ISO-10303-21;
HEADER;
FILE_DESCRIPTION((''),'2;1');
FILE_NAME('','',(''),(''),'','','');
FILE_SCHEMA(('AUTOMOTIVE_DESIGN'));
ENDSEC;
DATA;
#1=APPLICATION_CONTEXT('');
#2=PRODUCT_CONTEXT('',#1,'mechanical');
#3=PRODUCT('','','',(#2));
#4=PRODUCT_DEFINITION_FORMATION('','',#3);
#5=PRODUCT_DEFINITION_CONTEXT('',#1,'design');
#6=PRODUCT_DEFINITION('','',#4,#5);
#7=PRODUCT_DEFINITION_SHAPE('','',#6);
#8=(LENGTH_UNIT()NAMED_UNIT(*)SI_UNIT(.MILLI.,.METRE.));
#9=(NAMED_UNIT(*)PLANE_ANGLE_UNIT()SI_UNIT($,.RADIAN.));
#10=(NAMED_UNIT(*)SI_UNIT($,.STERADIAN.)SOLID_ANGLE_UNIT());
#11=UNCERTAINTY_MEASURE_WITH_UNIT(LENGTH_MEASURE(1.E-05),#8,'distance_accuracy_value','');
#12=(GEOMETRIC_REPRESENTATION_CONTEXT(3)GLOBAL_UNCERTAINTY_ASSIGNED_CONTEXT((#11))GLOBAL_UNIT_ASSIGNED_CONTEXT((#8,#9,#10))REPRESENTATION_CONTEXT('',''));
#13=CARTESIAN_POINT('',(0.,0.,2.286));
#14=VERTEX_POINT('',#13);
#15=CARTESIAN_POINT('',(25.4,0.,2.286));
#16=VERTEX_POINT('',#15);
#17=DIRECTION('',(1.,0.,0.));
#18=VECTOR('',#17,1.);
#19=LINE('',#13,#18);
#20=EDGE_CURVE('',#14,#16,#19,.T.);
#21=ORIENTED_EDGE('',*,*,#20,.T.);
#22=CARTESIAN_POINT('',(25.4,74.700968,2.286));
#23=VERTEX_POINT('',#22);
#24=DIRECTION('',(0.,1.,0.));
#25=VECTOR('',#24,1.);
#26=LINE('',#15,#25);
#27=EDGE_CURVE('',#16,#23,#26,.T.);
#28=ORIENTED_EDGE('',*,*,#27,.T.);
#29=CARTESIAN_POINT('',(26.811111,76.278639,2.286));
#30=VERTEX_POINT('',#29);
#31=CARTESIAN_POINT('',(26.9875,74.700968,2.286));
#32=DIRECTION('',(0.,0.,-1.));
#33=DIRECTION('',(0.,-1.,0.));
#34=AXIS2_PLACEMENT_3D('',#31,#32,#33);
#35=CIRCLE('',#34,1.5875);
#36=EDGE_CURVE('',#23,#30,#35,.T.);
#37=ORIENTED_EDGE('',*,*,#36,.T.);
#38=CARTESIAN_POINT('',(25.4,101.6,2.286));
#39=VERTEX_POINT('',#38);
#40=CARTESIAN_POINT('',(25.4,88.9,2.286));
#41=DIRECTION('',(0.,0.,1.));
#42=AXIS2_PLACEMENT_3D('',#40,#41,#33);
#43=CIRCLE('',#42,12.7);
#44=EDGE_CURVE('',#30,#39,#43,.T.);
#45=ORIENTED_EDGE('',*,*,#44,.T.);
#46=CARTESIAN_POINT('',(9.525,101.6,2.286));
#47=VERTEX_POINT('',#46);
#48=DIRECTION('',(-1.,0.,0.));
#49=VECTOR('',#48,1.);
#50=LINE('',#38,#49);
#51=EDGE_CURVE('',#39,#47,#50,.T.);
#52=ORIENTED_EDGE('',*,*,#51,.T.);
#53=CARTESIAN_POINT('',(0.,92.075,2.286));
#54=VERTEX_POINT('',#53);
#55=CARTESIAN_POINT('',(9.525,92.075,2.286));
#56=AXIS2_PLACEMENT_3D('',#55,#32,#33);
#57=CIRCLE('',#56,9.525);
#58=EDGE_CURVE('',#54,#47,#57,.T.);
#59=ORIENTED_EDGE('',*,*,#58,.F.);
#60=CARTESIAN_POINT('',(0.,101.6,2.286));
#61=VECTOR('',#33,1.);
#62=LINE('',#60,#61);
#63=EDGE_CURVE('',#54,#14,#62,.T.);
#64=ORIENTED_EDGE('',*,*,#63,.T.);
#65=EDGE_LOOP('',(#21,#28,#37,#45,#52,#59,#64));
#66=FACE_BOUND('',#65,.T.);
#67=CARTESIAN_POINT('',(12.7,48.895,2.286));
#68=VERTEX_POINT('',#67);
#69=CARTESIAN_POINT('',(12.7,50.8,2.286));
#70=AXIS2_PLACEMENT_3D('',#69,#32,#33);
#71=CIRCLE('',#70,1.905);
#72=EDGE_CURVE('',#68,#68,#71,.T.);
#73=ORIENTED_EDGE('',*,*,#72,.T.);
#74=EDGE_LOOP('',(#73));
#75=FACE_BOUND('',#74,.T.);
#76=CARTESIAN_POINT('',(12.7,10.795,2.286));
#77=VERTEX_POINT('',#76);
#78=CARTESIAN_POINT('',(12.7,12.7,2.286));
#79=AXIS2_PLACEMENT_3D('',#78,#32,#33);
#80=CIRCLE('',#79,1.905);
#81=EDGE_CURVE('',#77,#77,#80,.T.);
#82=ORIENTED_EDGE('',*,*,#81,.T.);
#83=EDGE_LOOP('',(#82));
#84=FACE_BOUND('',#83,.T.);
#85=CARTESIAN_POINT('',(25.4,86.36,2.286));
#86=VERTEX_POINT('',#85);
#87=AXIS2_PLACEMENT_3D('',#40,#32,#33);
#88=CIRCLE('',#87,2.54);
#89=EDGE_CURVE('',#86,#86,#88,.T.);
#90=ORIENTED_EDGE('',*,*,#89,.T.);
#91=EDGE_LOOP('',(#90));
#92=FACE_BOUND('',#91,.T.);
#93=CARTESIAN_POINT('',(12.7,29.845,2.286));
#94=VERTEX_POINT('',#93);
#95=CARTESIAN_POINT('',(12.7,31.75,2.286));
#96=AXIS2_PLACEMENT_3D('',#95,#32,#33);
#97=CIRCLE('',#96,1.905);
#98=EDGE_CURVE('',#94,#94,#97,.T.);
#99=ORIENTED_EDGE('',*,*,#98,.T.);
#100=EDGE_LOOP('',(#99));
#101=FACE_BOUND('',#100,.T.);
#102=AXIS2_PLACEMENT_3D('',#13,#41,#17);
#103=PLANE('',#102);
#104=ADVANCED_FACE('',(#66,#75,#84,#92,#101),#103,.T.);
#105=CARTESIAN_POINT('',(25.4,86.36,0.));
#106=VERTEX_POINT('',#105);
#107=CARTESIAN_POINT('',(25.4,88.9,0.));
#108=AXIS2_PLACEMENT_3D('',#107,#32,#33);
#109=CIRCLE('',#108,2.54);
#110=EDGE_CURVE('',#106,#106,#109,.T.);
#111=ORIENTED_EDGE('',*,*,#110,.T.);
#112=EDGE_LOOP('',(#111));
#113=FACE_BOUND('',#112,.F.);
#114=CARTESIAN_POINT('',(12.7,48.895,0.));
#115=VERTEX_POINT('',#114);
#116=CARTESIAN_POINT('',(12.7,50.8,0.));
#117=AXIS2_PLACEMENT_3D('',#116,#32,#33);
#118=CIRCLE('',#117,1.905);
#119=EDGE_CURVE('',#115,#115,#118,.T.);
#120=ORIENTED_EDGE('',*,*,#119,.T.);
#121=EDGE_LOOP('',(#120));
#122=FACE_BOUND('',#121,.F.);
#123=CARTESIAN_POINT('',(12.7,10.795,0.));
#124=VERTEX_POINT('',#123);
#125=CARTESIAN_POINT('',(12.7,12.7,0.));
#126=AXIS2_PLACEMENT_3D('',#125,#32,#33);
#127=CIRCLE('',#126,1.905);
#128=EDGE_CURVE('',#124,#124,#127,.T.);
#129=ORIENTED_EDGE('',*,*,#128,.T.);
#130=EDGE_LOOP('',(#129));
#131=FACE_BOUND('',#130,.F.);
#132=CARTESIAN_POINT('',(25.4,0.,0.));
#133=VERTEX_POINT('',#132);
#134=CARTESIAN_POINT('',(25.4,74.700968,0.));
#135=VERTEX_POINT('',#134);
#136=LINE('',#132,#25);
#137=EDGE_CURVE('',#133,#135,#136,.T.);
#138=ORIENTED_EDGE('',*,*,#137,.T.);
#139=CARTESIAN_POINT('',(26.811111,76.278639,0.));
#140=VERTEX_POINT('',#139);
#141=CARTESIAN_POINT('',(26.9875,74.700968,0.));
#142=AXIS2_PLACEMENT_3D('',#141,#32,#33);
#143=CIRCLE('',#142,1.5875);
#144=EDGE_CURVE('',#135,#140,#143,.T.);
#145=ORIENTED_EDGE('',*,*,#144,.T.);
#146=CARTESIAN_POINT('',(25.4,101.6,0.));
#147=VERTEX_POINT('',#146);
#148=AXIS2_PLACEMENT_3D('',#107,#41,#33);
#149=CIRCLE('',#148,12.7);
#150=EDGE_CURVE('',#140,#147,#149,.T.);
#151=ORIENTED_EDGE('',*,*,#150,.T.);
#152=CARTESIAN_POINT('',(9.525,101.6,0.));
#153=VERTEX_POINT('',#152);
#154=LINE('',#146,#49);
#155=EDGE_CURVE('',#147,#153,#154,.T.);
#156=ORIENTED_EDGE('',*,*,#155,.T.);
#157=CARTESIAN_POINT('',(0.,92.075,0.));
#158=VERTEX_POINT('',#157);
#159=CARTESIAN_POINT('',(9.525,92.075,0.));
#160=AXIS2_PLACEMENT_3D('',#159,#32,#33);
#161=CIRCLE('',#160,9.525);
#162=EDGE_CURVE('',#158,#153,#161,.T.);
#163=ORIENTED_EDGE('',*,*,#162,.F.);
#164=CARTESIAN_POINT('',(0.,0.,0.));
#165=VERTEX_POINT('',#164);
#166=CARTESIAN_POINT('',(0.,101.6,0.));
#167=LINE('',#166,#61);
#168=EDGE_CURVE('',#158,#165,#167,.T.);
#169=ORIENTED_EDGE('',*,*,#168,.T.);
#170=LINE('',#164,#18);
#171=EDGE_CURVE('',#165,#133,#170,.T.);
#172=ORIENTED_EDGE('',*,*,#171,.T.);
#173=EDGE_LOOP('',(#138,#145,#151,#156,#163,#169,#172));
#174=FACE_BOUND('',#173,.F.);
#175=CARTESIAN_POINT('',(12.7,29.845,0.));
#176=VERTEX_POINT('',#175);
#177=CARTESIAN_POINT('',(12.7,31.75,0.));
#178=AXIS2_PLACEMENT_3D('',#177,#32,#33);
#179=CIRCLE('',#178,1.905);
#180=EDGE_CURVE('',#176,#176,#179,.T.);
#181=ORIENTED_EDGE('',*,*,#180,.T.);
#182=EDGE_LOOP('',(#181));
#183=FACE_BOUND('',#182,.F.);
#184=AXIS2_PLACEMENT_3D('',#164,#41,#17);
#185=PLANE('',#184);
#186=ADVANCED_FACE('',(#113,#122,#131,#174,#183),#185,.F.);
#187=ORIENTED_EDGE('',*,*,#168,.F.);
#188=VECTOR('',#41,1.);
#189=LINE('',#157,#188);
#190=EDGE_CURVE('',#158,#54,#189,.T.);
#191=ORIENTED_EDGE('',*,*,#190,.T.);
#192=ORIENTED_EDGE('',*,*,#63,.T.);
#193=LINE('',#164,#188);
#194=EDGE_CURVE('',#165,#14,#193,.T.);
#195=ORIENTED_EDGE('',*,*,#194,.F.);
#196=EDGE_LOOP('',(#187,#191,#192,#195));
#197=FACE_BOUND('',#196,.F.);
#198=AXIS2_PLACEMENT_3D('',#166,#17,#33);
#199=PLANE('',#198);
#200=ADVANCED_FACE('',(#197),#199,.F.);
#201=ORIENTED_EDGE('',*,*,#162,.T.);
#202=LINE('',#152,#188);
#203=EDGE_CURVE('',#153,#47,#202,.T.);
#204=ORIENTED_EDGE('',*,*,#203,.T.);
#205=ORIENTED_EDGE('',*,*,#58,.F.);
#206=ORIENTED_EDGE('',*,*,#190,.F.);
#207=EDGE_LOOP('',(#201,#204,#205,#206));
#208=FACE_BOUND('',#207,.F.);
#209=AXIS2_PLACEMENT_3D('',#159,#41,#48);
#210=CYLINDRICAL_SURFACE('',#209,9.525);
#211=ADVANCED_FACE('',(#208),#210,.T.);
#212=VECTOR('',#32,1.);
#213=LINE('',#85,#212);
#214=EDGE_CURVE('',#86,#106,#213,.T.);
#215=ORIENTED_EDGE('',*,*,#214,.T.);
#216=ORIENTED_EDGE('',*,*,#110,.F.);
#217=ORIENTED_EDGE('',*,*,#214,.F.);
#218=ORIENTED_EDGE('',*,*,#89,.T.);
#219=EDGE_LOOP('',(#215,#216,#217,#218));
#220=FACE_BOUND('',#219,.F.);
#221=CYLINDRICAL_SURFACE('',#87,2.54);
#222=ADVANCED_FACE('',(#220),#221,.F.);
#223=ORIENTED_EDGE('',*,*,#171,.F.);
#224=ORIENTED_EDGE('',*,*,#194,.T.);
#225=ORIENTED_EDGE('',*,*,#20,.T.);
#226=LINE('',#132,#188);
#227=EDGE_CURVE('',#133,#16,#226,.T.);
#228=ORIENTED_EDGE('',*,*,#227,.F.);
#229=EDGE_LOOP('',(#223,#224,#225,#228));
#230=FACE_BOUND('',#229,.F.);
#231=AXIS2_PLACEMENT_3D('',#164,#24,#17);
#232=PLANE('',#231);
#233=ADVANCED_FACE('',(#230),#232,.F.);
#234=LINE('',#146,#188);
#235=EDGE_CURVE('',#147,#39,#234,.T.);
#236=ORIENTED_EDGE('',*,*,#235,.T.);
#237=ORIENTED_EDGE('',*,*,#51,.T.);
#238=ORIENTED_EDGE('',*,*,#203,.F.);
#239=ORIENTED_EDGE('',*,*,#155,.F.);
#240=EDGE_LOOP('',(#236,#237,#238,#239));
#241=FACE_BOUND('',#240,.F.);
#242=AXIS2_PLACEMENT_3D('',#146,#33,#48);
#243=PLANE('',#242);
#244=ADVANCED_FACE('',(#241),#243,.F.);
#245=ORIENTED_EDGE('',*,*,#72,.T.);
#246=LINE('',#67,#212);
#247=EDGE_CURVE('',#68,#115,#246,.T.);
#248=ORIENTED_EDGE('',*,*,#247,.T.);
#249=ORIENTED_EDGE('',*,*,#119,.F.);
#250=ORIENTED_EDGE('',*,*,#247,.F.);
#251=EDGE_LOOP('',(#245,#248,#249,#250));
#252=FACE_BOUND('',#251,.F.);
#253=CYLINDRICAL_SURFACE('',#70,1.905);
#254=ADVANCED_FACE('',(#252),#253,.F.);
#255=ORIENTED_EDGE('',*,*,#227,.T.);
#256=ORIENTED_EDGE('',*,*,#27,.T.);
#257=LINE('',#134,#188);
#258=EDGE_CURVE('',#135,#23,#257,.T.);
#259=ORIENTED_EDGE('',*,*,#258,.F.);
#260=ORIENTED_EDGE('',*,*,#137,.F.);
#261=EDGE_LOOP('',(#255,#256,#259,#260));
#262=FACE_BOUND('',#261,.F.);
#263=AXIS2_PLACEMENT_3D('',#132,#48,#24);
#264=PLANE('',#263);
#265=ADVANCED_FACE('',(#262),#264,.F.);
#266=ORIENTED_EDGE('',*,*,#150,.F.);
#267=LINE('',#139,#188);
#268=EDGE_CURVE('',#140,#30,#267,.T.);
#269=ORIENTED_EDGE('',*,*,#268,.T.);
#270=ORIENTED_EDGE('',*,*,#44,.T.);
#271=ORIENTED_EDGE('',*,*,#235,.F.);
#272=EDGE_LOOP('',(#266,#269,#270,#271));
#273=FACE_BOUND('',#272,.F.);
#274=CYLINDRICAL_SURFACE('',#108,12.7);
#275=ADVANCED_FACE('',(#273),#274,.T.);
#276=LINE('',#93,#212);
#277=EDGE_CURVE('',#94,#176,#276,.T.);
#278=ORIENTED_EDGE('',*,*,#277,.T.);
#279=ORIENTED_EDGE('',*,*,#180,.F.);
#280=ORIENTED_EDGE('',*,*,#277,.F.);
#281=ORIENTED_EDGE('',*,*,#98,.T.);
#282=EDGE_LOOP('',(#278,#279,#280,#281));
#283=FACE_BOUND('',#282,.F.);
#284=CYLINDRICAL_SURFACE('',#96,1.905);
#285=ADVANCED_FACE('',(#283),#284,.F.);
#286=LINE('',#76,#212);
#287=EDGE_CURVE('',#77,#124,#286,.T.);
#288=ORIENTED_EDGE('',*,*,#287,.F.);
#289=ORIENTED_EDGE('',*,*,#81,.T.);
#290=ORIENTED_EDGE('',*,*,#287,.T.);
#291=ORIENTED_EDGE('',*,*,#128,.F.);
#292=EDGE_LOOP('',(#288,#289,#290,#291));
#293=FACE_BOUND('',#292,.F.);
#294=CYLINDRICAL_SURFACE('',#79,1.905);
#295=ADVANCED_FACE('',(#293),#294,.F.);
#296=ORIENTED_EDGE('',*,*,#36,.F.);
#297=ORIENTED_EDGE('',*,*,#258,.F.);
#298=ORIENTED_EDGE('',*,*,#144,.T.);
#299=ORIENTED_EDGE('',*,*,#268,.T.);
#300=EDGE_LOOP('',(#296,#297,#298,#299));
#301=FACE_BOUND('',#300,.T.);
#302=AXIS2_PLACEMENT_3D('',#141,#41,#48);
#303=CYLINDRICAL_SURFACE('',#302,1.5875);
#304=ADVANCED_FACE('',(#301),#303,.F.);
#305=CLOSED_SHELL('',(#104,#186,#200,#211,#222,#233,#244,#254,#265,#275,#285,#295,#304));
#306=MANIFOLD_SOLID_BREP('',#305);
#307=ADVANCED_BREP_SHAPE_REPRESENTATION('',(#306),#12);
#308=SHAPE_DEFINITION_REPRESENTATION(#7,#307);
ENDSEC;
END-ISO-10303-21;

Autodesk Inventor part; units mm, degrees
ref_plane "YZ Plane" through (0, 0, 0) normal (1, 0, 0) x (0, 1, 0)
ref_plane "XZ Plane" through (0, 0, 0) normal (0, 1, 0) x (-1, 0, 0)
ref_plane "XY Plane" through (0, 0, 0) normal (0, 0, 1) x (1, 0, 0)
sketch "Sketch1" plane through (0, 0, 0) normal (0, 0, 1) x (1, 0, 0)
  line L0 (0, 0) -> (25.4, 0)
  line L1 (25.4, 0) -> (25.4, 101.6)
  line L2 (25.4, 101.6) -> (0, 101.6)
  line L3 (0, 101.6) -> (0, 0)
  arc A0 (25.4, 76.2) -> (25.4, 101.6) centre (25.4, 88.9) ccw
  dimension "d0" = 101.6
  dimension "d1" = 25.4
  dimension "d2" = 25.4
extrude "Extrusion1" add sketch "Sketch1" along normal blind 2.286
sketch "Sketch3" plane through (0, 0, 2.286) normal (0, 0, 1) x (1, 0, 0)
  line L0 (0, 101.6) -> (0, 0) projected
  line L1 (0, 0) -> (25.4, 0) projected
  line L2 (25.4, 101.6) -> (0, 101.6) projected
  line L3 (25.4, 0) -> (25.4, 76.2) projected
  line L4 (0, 0) -> (25.4, 0)
  line L5 (25.4, 0) -> (25.4, 63.5)
  line L6 (25.4, 63.5) -> (0, 63.5)
  line L7 (0, 63.5) -> (0, 0)
  point P0 (12.7, 50.8)
  point P1 (12.7, 12.7)
  point P2 (12.7, 31.75)
  point P3 (12.7, 0)
  dimension "d50" = 12.7
  dimension "d53" = 38.1
  dimension "d54" = 63.5
  dimension "d55" = 19.05
hole "Hole1" at (12.7, 50.8, 2.286) at (12.7, 12.7, 2.286) at (12.7, 31.75, 2.286) direction (0, 0, -1) diameter 3.81 end through all
sketch "Sketch4" plane through (0, 0, 2.286) normal (0, 0, 1) x (1, 0, 0)
  line L0 (25.4, 0) -> (25.4, 76.2) projected
  arc A0 (25.4, 76.2) -> (25.4, 101.6) centre (25.4, 88.9) ccw projected
  point P0 (0, 0)
hole "Hole2" at (25.4, 88.9, 2.286) direction (0, 0, -1) diameter 5.08 end through all
fillet "Fillet1" radius 9.525 1 edges at (0, 101.6, 1.143)
fillet "Fillet2" radius 1.5875 1 edges at (25.4, 76.2, 1.143)
equation "\"d2\" = d1"
properties part number "WJ_CLB_027_LifterBracket" material "Aluminum 6061"
